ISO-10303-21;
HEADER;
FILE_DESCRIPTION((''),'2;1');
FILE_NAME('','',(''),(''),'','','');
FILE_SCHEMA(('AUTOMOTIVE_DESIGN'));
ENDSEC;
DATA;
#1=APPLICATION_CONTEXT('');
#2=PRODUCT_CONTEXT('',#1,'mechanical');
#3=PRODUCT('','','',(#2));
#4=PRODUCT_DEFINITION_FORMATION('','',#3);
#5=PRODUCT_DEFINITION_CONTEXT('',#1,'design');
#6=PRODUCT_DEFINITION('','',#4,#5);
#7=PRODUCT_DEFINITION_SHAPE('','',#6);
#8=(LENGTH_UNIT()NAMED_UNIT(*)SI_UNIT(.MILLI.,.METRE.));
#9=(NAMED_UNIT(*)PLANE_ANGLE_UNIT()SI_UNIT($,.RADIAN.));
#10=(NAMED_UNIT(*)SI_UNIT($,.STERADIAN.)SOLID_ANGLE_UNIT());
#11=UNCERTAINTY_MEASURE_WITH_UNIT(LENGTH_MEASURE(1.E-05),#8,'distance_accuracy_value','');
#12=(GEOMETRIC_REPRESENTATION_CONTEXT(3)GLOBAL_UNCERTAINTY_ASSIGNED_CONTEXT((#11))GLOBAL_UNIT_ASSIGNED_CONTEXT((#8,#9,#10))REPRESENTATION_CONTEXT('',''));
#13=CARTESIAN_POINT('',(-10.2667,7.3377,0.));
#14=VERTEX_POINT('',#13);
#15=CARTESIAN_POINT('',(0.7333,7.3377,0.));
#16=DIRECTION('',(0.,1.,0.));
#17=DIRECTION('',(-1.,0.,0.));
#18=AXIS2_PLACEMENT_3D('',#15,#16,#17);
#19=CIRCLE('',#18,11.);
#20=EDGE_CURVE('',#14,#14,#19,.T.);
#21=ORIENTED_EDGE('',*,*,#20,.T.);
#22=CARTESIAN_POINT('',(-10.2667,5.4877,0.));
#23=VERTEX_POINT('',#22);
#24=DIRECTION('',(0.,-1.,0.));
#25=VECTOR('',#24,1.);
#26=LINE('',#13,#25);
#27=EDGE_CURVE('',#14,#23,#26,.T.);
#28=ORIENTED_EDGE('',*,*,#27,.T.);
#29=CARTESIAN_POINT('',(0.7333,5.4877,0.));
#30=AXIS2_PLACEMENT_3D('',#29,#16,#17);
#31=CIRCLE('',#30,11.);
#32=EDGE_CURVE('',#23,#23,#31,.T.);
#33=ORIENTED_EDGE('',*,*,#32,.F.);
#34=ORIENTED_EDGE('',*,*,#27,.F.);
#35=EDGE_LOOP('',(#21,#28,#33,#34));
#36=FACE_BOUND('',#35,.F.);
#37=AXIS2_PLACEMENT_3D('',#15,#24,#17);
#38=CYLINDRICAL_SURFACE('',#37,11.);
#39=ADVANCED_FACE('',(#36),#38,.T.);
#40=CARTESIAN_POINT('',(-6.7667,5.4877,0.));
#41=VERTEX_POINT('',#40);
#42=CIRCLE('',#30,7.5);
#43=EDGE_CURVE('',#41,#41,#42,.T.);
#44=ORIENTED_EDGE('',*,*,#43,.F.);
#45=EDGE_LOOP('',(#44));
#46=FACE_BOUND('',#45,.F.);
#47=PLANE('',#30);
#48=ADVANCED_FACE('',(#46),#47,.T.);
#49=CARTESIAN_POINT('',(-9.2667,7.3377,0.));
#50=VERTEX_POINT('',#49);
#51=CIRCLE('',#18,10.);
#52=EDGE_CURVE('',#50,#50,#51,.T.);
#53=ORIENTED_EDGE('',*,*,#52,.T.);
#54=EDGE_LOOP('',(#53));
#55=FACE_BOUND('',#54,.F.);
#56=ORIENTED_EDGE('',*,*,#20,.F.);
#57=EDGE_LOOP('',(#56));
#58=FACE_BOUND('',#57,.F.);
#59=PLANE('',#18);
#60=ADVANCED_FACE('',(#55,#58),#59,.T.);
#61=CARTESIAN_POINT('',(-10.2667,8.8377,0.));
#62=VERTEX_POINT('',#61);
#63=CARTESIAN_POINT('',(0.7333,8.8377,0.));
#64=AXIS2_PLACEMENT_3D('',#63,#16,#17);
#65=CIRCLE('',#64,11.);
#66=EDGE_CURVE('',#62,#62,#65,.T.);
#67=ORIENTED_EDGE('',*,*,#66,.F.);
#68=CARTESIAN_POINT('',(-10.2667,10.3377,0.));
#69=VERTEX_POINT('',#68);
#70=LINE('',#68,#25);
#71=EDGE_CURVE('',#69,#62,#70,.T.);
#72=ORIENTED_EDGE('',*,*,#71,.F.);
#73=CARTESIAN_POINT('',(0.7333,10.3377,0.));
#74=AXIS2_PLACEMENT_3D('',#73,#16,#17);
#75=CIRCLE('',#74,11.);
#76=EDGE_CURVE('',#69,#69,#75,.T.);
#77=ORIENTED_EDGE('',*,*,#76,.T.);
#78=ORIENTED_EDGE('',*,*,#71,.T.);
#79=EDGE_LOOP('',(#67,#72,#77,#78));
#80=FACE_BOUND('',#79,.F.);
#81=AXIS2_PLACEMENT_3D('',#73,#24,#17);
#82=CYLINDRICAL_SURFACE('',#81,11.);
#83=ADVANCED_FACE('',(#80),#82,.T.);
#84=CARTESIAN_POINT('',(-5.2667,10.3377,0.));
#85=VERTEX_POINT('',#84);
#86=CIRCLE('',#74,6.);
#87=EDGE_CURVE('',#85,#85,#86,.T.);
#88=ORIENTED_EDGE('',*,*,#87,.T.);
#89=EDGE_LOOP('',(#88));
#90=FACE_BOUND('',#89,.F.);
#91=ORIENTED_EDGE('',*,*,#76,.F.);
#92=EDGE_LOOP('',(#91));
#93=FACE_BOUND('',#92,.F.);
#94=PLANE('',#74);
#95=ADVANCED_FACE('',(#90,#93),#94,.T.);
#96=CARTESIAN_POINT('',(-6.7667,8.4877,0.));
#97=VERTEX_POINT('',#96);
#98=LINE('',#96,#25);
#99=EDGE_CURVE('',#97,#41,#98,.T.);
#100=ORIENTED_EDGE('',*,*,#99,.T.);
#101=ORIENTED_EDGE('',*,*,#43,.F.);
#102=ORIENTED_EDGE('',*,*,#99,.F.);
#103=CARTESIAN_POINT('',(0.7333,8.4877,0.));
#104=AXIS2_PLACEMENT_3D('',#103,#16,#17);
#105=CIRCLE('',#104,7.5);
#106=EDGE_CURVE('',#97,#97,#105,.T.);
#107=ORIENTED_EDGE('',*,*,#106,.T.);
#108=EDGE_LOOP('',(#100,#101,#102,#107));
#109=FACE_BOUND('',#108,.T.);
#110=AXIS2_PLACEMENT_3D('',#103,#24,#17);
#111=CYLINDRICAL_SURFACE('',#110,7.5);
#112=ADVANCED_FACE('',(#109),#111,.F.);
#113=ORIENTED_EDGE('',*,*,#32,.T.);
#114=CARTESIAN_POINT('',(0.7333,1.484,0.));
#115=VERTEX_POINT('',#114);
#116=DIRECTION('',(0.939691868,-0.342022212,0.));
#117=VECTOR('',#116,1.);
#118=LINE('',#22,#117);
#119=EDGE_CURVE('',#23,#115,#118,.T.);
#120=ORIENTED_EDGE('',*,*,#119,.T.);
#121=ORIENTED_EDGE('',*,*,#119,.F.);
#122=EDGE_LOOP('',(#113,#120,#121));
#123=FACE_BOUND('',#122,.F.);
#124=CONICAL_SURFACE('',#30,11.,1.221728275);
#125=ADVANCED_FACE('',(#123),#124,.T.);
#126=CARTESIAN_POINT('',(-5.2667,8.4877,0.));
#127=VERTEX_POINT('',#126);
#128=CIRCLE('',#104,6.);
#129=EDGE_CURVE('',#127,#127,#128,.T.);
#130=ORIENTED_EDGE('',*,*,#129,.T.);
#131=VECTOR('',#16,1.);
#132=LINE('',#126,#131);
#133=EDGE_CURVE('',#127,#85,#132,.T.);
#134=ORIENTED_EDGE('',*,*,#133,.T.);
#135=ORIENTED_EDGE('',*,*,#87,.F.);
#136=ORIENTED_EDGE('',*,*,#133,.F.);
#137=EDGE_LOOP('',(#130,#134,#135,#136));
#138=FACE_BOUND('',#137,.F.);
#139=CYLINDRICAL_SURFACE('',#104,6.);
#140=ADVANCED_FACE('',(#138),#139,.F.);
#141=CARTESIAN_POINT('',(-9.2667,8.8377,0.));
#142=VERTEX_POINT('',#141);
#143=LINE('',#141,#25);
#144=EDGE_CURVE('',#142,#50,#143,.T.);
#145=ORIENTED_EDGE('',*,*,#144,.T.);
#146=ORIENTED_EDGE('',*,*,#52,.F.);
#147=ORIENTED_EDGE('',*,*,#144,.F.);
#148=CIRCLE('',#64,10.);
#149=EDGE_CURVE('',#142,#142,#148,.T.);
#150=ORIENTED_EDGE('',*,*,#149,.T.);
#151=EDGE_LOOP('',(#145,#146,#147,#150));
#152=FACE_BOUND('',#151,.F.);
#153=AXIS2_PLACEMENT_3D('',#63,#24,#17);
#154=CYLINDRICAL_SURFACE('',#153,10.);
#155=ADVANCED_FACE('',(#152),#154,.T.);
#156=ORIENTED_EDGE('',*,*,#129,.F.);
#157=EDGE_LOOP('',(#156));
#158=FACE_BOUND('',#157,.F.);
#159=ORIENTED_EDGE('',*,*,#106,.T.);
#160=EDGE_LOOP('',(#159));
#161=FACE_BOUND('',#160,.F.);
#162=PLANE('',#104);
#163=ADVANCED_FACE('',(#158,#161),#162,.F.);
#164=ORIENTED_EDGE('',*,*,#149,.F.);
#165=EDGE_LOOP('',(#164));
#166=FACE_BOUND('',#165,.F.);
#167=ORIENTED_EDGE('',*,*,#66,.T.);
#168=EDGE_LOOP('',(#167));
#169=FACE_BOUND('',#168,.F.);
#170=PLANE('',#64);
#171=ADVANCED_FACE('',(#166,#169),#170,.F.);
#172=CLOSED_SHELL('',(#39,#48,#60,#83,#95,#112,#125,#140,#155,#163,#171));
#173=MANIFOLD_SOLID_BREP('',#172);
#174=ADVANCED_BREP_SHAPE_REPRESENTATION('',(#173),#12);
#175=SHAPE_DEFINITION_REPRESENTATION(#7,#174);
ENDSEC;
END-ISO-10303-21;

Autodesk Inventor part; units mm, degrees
ref_plane "YZ Plane" through (0, 0, 0) normal (1, 0, 0) x (0, 1, 0)
ref_plane "XZ Plane" through (0, 0, 0) normal (0, 1, 0) x (-1, 0, 0)
ref_plane "XY Plane" through (0, 0, 0) normal (0, 0, 1) x (1, 0, 0)
sketch "Sketch1" plane through (0, 0, 0) normal (0, 0, 1) x (1, 0, 0)
  line L0 (0.7333, 10.3377) -> (-10.2667, 10.3377)
  line L1 (-10.2667, 10.3377) -> (-10.2667, 8.8377)
  line L2 (-10.2667, 8.8377) -> (-9.2667, 8.8377)
  line L3 (-9.2667, 8.8377) -> (-9.2667, 7.3377)
  line L4 (-9.2667, 7.3377) -> (-10.2667, 7.3377)
  line L5 (-10.2667, 7.3377) -> (-10.2667, 5.4877)
  line L6 (-10.2667, 5.4877) -> (0.7333, 1.484)
  line L7 (0.7333, 1.484) -> (0.7333, 10.3377)
  point P0 (0, 0)
  dimension "d0" = 20
  dimension "d1" = 10
  dimension "d2" = 1.5
  dimension "d3" = 1.5
  dimension "d4" = 1.85
  dimension "d5" = 11
revolve "Revolution1" add sketch "Sketch1" angle 360 about axis through (0.7333, 1.484, 0) along (0, 1, 0)
sketch "Sketch2" plane through (0, 0, 0) normal (0, 0, 1) x (1, 0, 0)
  line L0 (11.7333, 5.4877) -> (-10.2667, 5.4877) projected
  line L1 (0.7333, 5.4877) -> (0.7333, 11.4877)
  line L2 (0.7333, 5.4877) -> (-6.7667, 5.4877)
  line L3 (-6.7667, 8.4877) -> (-5.2667, 8.4877)
  line L4 (-5.2667, 8.4877) -> (-5.2667, 11.4877)
  line L5 (-5.2667, 11.4877) -> (0.7333, 11.4877)
  line L6 (-6.7667, 8.4877) -> (-6.7667, 5.4877)
  point P0 (0, 0)
  dimension "d7" = 6
  dimension "d8" = 3
  dimension "d9" = 7.5
  dimension "d10" = 3
  dimension "d11" = 6
revolve "Revolution2" cut sketch "Sketch2" angle 360 about axis through (0.7333, 5.4877, 0) along (0, 1, 0)
properties part number "Plunger Rubber"
